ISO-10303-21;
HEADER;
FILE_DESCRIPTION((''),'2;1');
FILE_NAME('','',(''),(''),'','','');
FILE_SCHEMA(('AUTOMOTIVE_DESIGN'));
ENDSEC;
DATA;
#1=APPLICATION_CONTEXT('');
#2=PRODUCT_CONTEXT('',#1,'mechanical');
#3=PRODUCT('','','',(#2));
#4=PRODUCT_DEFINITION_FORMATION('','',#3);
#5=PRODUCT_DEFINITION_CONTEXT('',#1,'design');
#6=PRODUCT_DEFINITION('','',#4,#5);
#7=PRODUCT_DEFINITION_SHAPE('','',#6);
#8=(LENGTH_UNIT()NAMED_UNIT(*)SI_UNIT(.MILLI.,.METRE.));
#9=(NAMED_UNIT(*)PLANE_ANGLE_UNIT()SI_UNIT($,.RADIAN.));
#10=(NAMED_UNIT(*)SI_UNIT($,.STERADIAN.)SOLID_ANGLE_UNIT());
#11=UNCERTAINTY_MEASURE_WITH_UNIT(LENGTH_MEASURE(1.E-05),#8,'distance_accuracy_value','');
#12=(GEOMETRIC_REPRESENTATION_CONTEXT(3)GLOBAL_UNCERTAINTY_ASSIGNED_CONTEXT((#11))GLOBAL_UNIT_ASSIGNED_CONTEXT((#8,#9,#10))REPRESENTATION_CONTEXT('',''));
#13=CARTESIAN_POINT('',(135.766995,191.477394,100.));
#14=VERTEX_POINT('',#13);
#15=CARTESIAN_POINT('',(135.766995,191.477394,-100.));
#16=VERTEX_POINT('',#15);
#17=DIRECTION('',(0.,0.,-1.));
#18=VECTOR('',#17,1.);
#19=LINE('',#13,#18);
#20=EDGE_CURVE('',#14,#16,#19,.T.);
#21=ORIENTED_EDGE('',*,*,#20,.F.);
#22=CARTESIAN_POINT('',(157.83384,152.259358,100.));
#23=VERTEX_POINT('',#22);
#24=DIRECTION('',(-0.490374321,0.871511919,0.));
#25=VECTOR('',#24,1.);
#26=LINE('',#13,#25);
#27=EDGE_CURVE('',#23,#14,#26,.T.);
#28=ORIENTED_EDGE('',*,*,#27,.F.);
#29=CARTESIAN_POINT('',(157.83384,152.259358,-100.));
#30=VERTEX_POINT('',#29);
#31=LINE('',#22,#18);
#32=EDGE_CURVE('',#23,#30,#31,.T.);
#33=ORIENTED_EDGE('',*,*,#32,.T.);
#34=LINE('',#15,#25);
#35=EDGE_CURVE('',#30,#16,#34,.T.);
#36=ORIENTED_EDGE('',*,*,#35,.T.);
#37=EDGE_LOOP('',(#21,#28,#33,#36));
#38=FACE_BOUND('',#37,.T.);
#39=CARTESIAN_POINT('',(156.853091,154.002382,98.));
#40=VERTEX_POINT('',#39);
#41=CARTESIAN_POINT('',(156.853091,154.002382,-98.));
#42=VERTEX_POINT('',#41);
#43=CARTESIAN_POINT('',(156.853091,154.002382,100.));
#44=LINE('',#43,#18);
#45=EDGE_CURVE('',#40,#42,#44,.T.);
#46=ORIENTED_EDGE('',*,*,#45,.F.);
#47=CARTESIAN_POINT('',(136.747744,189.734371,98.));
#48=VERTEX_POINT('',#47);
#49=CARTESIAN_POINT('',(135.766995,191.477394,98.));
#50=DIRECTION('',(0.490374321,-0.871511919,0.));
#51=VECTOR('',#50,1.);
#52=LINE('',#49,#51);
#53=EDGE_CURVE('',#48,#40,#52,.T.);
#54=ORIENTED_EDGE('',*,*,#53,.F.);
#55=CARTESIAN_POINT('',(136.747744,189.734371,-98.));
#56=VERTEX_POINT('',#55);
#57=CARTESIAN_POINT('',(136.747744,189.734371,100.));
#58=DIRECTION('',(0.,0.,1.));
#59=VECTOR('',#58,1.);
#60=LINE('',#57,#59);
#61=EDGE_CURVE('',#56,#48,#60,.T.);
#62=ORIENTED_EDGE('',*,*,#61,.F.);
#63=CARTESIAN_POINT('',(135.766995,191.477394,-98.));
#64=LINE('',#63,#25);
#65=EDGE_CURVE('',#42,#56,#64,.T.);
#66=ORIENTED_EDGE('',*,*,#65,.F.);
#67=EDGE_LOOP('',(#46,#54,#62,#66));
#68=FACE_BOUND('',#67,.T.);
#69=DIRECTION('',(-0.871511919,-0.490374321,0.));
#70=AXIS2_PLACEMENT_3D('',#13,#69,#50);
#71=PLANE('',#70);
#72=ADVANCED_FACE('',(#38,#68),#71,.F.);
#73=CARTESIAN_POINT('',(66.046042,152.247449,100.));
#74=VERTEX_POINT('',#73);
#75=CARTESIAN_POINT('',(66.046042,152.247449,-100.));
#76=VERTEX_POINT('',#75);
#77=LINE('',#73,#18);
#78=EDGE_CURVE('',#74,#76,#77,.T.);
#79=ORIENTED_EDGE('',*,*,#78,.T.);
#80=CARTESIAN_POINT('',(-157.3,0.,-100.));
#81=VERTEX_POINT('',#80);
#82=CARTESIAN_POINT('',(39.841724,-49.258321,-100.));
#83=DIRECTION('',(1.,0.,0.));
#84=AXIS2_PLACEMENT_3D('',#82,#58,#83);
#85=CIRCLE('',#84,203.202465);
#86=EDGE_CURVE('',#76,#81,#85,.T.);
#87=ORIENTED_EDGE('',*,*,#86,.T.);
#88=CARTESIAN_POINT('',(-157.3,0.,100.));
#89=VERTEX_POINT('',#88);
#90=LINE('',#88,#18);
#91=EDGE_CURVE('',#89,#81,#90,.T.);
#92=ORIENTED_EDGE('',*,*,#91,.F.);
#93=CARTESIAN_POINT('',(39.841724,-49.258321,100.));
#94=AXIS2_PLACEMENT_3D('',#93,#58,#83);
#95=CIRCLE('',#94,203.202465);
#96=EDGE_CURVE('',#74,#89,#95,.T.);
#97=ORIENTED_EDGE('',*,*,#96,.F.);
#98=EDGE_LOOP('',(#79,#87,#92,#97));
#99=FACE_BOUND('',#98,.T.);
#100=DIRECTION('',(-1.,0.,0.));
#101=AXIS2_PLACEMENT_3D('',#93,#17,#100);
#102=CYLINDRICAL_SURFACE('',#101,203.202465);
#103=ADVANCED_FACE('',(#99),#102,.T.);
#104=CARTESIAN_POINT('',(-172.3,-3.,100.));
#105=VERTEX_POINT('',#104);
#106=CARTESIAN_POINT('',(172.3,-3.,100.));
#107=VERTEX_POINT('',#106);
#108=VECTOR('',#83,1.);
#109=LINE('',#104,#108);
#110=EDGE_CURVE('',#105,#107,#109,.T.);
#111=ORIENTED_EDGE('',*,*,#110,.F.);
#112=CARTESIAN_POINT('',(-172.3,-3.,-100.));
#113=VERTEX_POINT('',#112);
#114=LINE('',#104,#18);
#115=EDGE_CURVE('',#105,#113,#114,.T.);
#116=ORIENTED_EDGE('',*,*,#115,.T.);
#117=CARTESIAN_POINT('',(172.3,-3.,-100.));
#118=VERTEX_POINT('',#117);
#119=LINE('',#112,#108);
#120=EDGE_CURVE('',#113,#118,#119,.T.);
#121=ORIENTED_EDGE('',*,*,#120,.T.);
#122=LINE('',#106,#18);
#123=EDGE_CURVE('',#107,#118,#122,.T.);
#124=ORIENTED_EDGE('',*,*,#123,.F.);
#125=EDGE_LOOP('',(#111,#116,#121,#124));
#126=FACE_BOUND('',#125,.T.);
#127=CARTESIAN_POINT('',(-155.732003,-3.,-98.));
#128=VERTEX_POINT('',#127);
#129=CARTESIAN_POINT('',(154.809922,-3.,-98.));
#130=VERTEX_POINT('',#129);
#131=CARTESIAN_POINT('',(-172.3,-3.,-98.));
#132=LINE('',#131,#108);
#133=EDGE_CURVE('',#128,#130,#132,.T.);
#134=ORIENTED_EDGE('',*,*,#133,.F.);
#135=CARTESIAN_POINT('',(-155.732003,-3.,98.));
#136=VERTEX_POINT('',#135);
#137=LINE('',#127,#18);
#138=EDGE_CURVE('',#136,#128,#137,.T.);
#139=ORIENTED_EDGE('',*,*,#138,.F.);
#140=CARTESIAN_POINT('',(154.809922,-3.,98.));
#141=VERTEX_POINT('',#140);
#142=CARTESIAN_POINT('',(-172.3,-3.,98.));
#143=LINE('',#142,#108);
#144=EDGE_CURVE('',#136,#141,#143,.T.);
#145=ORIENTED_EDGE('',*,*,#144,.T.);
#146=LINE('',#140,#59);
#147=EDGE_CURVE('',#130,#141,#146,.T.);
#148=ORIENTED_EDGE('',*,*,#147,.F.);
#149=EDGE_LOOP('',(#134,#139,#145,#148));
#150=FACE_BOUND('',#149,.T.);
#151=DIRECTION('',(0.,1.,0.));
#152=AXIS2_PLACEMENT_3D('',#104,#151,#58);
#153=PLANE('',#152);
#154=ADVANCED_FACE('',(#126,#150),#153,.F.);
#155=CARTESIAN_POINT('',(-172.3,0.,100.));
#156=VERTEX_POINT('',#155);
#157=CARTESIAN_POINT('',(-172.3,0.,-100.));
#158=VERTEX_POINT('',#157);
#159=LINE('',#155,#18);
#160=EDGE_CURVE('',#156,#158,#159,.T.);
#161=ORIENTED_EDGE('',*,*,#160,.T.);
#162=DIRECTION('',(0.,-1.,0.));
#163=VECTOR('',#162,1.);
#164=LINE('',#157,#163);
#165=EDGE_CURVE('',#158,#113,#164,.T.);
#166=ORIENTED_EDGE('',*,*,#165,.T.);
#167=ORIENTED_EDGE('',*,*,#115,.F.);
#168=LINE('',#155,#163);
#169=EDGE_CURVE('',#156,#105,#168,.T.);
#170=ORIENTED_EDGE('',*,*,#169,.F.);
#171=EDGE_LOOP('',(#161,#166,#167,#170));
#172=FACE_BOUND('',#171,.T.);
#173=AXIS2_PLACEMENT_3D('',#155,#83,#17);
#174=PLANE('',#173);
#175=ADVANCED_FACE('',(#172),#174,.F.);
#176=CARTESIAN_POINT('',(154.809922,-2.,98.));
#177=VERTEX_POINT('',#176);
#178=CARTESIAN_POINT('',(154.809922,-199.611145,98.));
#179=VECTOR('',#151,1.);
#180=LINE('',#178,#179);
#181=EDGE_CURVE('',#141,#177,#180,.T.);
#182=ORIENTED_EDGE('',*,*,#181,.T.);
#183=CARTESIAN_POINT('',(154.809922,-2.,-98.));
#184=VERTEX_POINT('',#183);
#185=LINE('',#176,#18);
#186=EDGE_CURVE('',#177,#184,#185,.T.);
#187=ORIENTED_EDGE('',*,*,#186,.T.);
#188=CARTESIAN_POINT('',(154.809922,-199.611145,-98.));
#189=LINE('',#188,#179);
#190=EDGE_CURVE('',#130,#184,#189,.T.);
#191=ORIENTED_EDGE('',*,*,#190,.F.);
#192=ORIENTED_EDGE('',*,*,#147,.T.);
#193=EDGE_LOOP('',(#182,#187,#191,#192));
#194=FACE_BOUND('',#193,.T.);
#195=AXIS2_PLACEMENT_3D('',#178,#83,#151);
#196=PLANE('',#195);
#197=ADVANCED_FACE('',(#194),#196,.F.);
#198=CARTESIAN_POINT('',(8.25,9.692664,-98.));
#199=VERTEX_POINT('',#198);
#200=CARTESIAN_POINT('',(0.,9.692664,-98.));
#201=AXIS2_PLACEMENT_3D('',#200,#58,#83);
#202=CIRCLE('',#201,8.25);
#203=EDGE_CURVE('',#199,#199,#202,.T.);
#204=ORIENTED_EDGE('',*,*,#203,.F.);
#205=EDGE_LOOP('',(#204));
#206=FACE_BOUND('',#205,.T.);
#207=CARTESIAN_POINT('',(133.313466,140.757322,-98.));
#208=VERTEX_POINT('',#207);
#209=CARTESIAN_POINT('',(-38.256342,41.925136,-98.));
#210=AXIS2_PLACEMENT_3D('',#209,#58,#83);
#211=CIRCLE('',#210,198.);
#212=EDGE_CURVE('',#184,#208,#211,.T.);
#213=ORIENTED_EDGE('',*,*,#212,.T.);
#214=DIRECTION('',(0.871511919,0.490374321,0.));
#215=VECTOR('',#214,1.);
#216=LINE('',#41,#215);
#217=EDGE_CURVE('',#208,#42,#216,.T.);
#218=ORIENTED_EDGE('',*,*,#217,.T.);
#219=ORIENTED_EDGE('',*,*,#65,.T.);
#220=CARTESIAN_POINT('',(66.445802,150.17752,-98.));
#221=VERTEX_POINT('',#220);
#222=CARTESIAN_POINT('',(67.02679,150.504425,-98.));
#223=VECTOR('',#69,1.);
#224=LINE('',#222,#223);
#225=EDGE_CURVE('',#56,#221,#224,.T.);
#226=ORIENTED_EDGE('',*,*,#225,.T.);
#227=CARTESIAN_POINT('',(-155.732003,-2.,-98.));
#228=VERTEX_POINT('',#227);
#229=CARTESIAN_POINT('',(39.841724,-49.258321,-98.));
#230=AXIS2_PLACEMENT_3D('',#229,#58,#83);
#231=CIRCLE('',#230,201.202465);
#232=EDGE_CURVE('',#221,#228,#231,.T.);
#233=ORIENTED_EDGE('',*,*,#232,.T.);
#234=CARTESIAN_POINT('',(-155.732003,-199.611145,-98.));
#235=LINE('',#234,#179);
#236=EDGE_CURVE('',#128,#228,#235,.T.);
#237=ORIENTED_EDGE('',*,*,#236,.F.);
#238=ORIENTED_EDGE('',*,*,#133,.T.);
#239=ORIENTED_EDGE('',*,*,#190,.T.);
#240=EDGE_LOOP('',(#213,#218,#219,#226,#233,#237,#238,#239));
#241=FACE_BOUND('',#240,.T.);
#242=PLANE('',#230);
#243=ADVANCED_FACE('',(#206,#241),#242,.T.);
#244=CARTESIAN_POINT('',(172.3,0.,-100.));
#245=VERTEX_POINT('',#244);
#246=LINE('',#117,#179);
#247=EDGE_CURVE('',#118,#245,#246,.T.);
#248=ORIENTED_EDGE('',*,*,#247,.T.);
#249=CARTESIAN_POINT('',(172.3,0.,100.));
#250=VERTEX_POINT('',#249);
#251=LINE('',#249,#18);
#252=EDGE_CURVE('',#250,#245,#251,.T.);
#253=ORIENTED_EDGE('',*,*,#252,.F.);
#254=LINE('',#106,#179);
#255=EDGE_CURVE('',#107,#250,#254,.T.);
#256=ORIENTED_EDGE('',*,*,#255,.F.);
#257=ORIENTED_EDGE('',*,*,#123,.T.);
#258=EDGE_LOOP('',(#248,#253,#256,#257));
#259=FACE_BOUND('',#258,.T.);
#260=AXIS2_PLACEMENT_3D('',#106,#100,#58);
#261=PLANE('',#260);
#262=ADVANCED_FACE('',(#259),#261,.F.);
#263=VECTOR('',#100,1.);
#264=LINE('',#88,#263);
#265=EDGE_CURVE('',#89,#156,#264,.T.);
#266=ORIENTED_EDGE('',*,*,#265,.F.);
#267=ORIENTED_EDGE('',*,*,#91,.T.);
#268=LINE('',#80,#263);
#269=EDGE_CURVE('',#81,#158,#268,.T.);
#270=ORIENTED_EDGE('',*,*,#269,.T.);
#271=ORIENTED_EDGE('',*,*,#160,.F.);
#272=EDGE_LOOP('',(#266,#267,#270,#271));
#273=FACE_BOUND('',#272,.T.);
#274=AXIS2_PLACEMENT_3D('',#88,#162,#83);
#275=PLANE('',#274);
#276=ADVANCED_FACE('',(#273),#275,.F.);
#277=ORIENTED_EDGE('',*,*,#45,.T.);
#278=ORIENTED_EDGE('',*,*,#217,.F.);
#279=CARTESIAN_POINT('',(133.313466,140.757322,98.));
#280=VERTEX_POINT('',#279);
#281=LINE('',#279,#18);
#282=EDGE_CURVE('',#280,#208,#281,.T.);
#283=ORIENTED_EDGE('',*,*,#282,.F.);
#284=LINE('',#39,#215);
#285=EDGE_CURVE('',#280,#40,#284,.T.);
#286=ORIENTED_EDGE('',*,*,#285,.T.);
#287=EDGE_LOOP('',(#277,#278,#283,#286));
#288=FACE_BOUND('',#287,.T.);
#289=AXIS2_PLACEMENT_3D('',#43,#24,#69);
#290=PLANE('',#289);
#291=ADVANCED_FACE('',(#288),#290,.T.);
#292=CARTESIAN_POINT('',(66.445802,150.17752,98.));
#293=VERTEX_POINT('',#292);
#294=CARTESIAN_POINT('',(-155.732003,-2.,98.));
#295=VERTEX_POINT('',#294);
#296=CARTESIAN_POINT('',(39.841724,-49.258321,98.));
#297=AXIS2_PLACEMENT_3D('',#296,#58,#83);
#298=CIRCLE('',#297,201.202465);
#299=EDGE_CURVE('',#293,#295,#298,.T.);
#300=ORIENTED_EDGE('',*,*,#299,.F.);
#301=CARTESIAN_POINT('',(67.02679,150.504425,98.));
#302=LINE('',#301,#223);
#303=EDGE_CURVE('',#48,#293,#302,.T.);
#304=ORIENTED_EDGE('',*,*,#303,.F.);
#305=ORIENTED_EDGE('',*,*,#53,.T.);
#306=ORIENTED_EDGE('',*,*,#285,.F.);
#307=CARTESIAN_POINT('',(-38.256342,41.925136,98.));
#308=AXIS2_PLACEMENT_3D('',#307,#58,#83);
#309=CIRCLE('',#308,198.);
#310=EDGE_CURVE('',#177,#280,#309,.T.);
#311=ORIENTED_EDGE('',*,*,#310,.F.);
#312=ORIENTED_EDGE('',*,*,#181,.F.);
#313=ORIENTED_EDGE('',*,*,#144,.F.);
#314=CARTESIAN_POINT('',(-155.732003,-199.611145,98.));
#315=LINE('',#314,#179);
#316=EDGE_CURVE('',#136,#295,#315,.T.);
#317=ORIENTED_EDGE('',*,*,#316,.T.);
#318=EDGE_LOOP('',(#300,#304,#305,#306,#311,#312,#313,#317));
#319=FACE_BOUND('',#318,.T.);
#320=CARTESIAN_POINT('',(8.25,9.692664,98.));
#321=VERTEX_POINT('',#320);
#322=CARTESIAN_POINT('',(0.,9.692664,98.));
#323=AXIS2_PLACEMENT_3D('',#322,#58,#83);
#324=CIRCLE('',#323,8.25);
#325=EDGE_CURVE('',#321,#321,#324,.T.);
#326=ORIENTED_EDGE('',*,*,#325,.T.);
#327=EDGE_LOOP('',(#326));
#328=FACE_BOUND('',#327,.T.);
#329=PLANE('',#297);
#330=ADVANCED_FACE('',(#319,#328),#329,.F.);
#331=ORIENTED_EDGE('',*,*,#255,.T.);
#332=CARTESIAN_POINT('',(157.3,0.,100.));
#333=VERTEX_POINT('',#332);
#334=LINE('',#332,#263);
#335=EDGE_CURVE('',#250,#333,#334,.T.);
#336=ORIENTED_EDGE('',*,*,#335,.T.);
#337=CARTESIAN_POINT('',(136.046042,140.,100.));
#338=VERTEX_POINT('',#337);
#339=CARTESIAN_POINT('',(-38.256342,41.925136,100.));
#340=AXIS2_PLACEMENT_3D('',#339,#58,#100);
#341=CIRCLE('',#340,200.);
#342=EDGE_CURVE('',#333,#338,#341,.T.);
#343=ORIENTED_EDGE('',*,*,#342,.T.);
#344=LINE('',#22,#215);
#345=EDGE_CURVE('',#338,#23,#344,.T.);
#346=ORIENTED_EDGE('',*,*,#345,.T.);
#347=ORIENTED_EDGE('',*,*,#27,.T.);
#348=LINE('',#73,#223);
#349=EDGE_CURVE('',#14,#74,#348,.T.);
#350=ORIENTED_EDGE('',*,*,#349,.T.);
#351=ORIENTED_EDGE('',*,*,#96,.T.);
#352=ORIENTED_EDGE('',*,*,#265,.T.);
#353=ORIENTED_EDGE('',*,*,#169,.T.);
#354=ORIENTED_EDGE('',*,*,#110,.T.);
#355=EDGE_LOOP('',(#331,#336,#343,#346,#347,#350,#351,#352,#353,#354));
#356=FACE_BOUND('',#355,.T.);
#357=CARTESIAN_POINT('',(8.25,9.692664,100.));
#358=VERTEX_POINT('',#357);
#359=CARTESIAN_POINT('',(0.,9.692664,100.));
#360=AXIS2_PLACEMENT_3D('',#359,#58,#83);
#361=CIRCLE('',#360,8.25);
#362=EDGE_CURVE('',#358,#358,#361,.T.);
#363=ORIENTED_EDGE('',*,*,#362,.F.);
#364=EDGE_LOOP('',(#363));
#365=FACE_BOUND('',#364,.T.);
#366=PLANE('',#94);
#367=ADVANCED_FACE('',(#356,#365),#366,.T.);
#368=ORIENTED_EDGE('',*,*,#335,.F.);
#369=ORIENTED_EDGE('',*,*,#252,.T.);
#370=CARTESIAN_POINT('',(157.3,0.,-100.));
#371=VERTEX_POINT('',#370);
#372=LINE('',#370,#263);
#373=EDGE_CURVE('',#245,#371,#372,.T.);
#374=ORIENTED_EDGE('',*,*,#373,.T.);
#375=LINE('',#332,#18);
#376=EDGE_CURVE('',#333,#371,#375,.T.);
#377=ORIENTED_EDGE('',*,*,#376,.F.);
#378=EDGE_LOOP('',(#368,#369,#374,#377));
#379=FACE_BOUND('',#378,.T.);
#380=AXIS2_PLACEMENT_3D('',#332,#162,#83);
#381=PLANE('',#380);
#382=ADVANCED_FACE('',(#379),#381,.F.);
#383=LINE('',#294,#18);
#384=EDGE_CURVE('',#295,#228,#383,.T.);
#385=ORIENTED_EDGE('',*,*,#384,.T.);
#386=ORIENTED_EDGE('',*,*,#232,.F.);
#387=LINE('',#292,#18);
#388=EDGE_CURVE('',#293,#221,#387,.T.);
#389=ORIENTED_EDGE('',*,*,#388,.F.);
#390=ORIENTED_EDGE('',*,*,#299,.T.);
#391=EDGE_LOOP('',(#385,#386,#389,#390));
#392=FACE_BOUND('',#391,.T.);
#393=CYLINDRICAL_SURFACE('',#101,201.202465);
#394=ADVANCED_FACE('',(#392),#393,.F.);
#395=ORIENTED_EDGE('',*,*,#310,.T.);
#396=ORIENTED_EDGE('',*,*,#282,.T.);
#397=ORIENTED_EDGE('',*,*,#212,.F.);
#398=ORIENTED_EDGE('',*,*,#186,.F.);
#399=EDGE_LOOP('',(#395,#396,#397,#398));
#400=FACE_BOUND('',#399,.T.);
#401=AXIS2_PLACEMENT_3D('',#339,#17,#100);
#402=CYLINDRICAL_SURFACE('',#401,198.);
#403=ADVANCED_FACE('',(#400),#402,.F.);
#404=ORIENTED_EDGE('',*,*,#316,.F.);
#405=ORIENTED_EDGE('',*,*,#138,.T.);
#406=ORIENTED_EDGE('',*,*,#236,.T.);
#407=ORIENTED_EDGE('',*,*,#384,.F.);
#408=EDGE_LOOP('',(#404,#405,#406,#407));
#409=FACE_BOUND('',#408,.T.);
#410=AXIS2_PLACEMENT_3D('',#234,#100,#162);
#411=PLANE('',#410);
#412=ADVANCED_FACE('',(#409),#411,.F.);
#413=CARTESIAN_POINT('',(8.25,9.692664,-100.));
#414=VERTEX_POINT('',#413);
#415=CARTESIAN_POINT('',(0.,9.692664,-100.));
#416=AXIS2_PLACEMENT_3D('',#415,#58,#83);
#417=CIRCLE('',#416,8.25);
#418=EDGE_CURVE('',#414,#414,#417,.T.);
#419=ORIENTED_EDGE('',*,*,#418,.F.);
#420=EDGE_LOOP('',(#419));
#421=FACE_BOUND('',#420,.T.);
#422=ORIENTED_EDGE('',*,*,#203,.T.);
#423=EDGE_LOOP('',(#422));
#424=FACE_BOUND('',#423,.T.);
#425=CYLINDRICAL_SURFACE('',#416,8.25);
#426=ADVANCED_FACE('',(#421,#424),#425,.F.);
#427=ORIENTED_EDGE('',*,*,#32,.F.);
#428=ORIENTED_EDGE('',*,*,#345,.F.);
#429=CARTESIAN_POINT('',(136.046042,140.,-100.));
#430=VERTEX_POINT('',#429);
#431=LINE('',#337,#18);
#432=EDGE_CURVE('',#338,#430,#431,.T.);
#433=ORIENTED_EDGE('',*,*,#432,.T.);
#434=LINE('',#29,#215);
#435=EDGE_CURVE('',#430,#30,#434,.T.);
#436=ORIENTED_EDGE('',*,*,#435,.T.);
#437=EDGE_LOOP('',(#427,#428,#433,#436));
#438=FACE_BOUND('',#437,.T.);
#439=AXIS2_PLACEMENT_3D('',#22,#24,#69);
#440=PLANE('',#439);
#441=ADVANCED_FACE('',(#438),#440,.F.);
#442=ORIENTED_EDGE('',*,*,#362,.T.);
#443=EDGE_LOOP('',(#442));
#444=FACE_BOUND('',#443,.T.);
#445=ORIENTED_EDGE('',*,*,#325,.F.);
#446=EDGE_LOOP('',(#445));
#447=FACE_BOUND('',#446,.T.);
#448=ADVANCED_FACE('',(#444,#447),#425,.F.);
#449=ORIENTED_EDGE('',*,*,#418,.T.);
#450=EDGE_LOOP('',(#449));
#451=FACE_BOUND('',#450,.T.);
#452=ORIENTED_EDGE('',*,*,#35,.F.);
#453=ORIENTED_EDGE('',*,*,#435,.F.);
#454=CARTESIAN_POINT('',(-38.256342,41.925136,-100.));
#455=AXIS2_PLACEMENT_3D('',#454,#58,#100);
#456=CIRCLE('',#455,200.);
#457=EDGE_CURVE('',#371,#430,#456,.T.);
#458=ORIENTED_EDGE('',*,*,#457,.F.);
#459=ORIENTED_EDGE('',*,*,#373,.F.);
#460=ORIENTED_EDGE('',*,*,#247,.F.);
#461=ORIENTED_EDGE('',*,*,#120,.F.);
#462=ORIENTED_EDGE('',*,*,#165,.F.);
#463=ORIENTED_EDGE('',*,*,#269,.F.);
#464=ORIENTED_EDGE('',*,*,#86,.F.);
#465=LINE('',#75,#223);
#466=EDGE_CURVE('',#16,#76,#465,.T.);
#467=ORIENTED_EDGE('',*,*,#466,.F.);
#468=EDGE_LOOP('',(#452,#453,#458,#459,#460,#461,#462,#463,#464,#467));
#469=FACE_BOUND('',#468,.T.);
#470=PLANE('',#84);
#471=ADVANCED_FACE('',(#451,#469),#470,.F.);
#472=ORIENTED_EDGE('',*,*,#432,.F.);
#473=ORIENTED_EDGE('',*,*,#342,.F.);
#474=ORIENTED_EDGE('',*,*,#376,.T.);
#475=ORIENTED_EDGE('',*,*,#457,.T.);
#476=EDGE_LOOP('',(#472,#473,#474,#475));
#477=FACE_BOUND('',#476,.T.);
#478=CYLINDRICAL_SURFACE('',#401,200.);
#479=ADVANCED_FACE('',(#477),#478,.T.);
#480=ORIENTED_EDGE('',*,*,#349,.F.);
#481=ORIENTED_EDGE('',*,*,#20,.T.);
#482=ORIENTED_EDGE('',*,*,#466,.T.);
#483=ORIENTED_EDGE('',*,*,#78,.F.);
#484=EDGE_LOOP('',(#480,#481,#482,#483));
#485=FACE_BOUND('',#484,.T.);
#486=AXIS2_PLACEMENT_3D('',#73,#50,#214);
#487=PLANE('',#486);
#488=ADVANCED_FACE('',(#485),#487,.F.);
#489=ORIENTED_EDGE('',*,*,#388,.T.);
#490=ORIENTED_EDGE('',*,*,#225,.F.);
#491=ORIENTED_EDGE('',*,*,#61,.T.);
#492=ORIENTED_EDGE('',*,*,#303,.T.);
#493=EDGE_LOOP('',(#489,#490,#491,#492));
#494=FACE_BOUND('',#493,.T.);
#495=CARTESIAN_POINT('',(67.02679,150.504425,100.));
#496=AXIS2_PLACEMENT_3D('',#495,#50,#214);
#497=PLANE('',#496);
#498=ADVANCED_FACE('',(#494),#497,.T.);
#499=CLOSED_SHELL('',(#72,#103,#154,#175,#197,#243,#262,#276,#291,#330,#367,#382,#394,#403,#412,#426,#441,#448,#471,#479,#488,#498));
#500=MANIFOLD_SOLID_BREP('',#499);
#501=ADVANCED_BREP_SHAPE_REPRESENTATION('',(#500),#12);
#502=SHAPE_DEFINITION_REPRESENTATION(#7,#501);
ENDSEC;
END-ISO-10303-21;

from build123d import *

# Parameters (mm, degrees)
BOSS_EXTRUDE1_DEPTH     = 100
SHELL1_T                = -2
SKETCH4_W               = 14.567996804
SKETCH4_H               = 196
SKETCH4_W_2             = 15.490077846
BOSS_EXTRUDE2_DEPTH     = 1
CUT_EXTRUDE1_DEPTH      = 327.114830331
CUT_EXTRUDE1_DEPTH_BACK = 327.114830331
SKETCH5_R               = 8.25


with BuildPart() as part:
    # Sketch1 → Boss-Extrude1 (new, symmetric)
    with BuildSketch(Plane.XY):
        with BuildLine():
            Line((-157.3, 0), (-172.3, 0))
            Line((-172.3, 0), (-172.3, -3))
            Line((-172.3, -3), (172.3, -3))
            Line((172.3, -3), (172.3, 0))
            Line((172.3, 0), (157.3, 0))
            ThreePointArc((157.3, 0), (159.477998018, 71.943974663), (136.046041615, 140))
            Line((136.046041615, 140), (157.833839596, 152.259358023))
            Line((157.833839596, 152.259358023), (135.766995153, 191.477394389))
            Line((135.766995153, 191.477394389), (66.046041615, 152.247448714))
            ThreePointArc((66.046041615, 152.247448714), (-74.612286943, 118.644986984), (-157.3, 0))
        make_face()
    extrude(amount=BOSS_EXTRUDE1_DEPTH, both=True)

    # Shell1
    shell1_openings = [part.faces().sort_by_distance(p)[0] for p in [
        (146.800417374, 171.868376206, 0),
        (0, -3, 0),
    ]]
    offset(amount=SHELL1_T, openings=shell1_openings, kind=Kind.INTERSECTION)

    # Sketch4 → Boss-Extrude2 (add)
    with BuildSketch(Plane.XZ.offset(2)):
        with Locations((-163.016001598, 0)):
            Rectangle(SKETCH4_W, SKETCH4_H)
        with Locations((162.554961077, 0)):
            Rectangle(SKETCH4_W_2, SKETCH4_H)
    extrude(amount=BOSS_EXTRUDE2_DEPTH)

    # Sketch5 → Cut-Extrude1 (cut, two sides: drawn at the far end of the back side and taken through both)
    with BuildSketch(Plane.XY.offset(100).offset(-CUT_EXTRUDE1_DEPTH_BACK)):
        with Locations((0, 9.692663859)):
            Circle(SKETCH5_R)
    extrude(amount=CUT_EXTRUDE1_DEPTH + CUT_EXTRUDE1_DEPTH_BACK, mode=Mode.SUBTRACT)


solid = part.part
